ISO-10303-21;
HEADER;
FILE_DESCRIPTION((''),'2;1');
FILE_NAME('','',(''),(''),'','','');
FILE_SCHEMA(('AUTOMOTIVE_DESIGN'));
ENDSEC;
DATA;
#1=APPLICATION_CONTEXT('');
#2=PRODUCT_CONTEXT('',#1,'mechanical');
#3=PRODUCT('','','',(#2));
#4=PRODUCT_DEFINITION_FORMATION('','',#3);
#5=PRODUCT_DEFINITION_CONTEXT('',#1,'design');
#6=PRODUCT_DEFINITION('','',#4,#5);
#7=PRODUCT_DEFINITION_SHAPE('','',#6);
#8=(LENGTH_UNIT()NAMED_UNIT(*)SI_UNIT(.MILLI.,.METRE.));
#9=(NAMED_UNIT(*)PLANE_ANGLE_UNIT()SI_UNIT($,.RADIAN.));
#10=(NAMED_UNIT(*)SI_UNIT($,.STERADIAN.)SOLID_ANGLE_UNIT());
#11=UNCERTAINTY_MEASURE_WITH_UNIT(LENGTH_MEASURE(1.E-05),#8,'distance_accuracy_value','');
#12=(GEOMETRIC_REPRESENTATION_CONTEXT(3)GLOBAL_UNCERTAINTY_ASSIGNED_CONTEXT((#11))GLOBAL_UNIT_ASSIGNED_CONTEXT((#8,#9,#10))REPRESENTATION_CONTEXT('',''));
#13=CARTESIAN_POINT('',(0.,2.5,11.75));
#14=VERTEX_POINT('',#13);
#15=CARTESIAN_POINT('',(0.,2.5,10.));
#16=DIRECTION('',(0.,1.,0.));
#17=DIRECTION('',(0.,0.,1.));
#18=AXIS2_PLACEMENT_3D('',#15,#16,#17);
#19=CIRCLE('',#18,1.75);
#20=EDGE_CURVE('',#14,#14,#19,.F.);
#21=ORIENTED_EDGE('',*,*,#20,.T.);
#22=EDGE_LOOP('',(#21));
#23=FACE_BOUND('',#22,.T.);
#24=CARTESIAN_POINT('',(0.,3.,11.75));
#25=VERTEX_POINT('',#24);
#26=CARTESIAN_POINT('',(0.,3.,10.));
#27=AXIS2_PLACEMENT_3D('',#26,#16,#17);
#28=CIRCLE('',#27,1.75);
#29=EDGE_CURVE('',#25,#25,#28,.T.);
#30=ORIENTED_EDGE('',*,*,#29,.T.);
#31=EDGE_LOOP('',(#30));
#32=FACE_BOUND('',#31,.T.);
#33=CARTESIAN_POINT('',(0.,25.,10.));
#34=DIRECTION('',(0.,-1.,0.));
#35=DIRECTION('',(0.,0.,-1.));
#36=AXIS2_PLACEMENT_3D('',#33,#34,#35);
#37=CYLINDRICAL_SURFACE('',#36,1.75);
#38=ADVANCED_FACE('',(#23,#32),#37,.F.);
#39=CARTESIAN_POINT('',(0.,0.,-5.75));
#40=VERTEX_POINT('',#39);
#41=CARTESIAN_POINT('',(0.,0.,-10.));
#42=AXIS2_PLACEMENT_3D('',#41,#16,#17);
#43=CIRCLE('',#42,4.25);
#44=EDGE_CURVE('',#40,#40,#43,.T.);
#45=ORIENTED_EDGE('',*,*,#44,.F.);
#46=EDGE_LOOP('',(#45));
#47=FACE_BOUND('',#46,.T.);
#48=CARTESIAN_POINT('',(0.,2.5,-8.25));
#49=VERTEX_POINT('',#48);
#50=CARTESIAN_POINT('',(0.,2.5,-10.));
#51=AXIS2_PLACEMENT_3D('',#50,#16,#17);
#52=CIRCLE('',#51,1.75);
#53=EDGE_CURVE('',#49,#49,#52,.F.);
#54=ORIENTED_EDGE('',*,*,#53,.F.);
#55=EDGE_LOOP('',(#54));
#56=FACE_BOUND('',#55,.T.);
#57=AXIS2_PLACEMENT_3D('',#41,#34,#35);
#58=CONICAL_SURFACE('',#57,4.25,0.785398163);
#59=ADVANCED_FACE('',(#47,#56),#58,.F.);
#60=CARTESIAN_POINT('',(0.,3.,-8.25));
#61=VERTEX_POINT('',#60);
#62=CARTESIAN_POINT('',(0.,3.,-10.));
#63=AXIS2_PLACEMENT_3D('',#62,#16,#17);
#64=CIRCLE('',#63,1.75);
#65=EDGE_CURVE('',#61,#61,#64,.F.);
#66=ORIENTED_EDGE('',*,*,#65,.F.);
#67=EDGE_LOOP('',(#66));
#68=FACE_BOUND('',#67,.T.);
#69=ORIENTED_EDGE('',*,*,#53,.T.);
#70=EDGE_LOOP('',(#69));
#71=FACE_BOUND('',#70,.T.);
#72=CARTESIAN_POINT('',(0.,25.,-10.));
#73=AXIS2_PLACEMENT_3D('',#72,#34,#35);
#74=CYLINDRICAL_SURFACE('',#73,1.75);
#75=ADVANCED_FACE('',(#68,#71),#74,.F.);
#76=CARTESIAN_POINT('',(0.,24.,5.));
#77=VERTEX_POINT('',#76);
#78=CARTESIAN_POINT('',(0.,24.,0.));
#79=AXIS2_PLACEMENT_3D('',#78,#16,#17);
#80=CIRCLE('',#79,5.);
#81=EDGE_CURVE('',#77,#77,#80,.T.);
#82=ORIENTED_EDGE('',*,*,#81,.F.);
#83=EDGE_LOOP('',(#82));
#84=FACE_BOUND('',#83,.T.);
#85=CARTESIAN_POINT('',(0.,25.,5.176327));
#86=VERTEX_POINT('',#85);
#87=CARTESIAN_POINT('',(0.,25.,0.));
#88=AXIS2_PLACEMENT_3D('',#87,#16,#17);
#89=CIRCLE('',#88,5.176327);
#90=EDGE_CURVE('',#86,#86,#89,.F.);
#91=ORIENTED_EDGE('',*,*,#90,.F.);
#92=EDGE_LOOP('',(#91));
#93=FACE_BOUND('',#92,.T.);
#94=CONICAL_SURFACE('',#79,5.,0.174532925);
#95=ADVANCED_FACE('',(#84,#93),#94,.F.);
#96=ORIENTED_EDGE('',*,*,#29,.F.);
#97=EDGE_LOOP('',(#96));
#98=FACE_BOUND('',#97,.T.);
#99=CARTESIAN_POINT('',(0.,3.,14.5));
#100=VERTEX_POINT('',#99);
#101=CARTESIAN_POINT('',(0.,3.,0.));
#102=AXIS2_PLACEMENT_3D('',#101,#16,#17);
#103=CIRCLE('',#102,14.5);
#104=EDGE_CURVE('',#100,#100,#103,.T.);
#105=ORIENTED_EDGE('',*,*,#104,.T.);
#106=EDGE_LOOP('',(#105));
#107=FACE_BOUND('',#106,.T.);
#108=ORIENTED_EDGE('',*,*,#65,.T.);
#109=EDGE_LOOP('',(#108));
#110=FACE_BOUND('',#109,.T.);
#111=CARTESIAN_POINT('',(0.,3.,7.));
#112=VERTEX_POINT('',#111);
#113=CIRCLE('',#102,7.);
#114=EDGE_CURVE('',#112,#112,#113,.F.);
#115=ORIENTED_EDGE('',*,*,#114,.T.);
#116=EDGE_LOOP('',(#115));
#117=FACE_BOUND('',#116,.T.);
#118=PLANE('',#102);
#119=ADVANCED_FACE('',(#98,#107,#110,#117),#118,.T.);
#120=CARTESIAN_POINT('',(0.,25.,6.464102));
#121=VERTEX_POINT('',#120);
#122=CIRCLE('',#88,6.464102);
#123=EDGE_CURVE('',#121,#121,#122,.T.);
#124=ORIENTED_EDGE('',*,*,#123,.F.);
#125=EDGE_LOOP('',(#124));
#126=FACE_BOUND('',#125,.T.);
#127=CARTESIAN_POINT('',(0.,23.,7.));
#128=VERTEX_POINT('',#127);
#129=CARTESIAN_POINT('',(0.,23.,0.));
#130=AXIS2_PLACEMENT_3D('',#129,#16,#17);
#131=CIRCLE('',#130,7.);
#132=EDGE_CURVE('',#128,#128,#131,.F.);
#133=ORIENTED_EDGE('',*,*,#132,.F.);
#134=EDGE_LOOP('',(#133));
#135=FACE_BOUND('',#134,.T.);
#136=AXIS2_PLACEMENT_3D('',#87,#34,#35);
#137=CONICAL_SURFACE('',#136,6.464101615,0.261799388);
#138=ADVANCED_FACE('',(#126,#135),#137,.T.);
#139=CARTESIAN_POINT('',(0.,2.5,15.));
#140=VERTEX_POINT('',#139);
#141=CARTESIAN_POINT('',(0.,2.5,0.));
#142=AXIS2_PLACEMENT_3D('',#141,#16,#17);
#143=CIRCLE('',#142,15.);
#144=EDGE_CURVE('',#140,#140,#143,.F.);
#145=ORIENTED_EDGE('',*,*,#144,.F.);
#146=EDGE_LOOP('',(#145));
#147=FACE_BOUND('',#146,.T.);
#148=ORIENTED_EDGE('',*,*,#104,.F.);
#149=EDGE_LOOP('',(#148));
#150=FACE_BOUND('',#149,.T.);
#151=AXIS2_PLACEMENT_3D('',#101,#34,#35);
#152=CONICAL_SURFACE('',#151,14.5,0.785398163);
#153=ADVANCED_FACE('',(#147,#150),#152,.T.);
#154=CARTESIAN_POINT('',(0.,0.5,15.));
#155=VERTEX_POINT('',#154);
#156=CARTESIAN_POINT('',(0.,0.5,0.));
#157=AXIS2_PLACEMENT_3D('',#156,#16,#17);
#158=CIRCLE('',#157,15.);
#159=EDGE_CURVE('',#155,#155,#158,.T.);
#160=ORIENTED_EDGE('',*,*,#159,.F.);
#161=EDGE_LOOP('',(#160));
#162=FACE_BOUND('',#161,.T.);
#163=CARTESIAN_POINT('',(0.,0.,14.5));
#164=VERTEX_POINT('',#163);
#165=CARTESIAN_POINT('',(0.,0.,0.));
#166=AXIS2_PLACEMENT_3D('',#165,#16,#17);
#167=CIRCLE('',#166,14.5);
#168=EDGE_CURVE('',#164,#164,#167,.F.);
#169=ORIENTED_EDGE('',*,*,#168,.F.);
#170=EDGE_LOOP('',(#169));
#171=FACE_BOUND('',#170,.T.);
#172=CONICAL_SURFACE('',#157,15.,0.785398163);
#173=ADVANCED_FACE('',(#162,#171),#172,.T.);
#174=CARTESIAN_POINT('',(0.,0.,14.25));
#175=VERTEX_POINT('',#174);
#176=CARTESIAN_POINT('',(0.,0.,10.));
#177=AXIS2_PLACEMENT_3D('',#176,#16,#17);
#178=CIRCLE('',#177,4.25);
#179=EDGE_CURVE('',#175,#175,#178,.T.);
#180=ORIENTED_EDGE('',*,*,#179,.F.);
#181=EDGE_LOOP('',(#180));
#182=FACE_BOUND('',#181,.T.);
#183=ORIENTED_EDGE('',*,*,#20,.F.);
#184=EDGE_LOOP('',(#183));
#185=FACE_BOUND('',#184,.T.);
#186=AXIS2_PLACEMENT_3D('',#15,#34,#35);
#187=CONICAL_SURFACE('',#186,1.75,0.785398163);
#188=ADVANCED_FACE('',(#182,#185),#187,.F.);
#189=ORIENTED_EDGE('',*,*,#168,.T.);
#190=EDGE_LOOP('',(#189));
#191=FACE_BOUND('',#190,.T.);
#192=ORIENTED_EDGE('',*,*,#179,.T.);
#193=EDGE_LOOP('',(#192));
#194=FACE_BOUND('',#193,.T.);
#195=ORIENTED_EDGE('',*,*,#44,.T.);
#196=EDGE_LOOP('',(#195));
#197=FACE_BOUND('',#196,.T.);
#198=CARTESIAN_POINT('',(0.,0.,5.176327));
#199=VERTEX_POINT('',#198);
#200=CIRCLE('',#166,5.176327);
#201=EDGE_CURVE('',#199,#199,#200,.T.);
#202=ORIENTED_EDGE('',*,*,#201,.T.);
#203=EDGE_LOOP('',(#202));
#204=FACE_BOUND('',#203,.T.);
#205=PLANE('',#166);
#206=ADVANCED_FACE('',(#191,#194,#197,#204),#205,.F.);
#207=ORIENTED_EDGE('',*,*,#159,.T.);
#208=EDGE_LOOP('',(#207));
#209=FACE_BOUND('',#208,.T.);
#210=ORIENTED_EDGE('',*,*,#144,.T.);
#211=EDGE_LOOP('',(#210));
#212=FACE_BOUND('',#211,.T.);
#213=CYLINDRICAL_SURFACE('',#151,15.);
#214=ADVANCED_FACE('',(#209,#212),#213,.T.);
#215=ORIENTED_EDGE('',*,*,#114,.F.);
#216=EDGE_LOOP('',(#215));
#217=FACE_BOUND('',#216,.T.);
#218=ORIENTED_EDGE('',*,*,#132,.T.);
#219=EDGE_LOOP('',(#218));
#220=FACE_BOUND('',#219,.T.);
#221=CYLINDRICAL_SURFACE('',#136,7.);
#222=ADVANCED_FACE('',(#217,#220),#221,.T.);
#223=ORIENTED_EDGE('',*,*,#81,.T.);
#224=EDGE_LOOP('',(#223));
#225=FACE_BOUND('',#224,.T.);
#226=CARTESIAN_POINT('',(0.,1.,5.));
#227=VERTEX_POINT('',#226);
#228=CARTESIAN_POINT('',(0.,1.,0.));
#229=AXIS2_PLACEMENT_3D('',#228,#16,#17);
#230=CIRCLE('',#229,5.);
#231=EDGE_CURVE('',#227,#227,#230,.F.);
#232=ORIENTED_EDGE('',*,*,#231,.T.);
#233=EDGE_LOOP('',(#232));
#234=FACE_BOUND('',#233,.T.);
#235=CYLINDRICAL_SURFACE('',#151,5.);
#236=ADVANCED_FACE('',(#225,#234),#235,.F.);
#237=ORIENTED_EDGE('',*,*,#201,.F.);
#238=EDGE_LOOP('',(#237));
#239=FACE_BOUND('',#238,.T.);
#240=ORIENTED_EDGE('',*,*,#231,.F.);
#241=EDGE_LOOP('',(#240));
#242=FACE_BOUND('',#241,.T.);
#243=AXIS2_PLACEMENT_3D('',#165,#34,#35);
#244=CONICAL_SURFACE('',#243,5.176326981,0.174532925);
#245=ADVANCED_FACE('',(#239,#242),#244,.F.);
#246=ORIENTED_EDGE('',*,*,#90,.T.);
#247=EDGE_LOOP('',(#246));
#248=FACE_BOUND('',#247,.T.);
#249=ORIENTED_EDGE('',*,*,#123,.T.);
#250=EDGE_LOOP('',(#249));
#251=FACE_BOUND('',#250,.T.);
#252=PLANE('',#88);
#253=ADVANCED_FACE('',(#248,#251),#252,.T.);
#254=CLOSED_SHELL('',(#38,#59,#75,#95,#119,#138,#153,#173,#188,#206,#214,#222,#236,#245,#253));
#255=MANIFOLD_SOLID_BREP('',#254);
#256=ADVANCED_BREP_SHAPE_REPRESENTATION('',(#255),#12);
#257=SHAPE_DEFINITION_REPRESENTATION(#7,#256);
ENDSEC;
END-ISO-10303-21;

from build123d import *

# Parameters (mm, degrees)
SKETCH_1_R                   = 15
SKETCH_1_R_2                 = 5
EXTRUDE_1_DEPTH              = 3
SKETCH_1_3_R                 = 7
SKETCH_1_3_R_2               = 5
EXTRUDE_2_DEPTH              = 25
SKETCH_2_R                   = 1.75
CUT_EXTRUDE_1_DEPTH          = 33.787192622
CHAMFER_1_SIZE               = 2.5
CHAMFER_1_OF_MIRROR_659_SIZE = 2.5
CHAMFER_2_SIZE               = 2
CHAMFER_2_SIZE2              = 0.535898385
CHAMFER_4_SIZE               = 1
CHAMFER_4_SIZE2              = 0.176326981
CHAMFER_5_SIZE               = 0.5


with BuildPart() as part:
    # 草图1 → 凸台-拉伸1 (new body)
    with BuildSketch(Plane(origin=(0, 0, 0), x_dir=(1, 0, 0), z_dir=(0, 1, 0))):
        Circle(SKETCH_1_R)
        Circle(SKETCH_1_R_2, mode=Mode.SUBTRACT)
    extrude(amount=EXTRUDE_1_DEPTH)

    # 草图1<3> → 凸台-拉伸2 (add)
    with BuildSketch(Plane(origin=(0, 0, 0), x_dir=(1, 0, 0), z_dir=(0, 1, 0))):
        Circle(SKETCH_1_3_R)
        Circle(SKETCH_1_3_R_2, mode=Mode.SUBTRACT)
    extrude(amount=EXTRUDE_2_DEPTH)

    # 草图2 → 切除-拉伸1 (cut, through all)
    with BuildSketch(Plane.XZ):
        with Locations((0, 10)):
            Circle(SKETCH_2_R)
    cut_extrude_1 = extrude(amount=-CUT_EXTRUDE_1_DEPTH, mode=Mode.SUBTRACT)

    # 倒角1
    chamfer_1_edges = [part.edges().sort_by_distance(p)[0] for p in [
        (-1.75, 0, 10),
    ]]
    chamfer(chamfer_1_edges, length=CHAMFER_1_SIZE)

    # Mirror 659: 切除-拉伸1 across plane
    add(cut_extrude_1.mirror(Plane.XY), mode=Mode.SUBTRACT)

    # 倒角1 of Mirror 659
    chamfer_1_of_mirror_659_edges = [part.edges().sort_by_distance(p)[0] for p in [
        (-1.75, 0, -10),
    ]]
    chamfer(chamfer_1_of_mirror_659_edges, length=CHAMFER_1_OF_MIRROR_659_SIZE)

    # 倒角2
    chamfer_2_edges = [part.edges().sort_by_distance(p)[0] for p in [
        (-7, 25, 0),
    ]]
    chamfer_2_side = [part.faces().sort_by_distance(p)[0] for p in [
        (-7, 14, 0),
    ]]
    chamfer(chamfer_2_edges, length=CHAMFER_2_SIZE, length2=CHAMFER_2_SIZE2, reference=chamfer_2_side[0])

    # 倒角4
    chamfer_4_edges = [part.edges().sort_by_distance(p)[0] for p in [
        (-5, 0, 0),
        (-5, 25, 0),
    ]]
    chamfer_4_side = [part.faces().sort_by_distance(p)[0] for p in [
        (-5, 12.5, 0),
    ]]
    chamfer(chamfer_4_edges, length=CHAMFER_4_SIZE, length2=CHAMFER_4_SIZE2, reference=chamfer_4_side[0])

    # 倒角5
    chamfer_5_edges = [part.edges().sort_by_distance(p)[0] for p in [
        (-15, 0, 0),
        (-15, 3, 0),
    ]]
    chamfer(chamfer_5_edges, length=CHAMFER_5_SIZE)


solid = part.part
